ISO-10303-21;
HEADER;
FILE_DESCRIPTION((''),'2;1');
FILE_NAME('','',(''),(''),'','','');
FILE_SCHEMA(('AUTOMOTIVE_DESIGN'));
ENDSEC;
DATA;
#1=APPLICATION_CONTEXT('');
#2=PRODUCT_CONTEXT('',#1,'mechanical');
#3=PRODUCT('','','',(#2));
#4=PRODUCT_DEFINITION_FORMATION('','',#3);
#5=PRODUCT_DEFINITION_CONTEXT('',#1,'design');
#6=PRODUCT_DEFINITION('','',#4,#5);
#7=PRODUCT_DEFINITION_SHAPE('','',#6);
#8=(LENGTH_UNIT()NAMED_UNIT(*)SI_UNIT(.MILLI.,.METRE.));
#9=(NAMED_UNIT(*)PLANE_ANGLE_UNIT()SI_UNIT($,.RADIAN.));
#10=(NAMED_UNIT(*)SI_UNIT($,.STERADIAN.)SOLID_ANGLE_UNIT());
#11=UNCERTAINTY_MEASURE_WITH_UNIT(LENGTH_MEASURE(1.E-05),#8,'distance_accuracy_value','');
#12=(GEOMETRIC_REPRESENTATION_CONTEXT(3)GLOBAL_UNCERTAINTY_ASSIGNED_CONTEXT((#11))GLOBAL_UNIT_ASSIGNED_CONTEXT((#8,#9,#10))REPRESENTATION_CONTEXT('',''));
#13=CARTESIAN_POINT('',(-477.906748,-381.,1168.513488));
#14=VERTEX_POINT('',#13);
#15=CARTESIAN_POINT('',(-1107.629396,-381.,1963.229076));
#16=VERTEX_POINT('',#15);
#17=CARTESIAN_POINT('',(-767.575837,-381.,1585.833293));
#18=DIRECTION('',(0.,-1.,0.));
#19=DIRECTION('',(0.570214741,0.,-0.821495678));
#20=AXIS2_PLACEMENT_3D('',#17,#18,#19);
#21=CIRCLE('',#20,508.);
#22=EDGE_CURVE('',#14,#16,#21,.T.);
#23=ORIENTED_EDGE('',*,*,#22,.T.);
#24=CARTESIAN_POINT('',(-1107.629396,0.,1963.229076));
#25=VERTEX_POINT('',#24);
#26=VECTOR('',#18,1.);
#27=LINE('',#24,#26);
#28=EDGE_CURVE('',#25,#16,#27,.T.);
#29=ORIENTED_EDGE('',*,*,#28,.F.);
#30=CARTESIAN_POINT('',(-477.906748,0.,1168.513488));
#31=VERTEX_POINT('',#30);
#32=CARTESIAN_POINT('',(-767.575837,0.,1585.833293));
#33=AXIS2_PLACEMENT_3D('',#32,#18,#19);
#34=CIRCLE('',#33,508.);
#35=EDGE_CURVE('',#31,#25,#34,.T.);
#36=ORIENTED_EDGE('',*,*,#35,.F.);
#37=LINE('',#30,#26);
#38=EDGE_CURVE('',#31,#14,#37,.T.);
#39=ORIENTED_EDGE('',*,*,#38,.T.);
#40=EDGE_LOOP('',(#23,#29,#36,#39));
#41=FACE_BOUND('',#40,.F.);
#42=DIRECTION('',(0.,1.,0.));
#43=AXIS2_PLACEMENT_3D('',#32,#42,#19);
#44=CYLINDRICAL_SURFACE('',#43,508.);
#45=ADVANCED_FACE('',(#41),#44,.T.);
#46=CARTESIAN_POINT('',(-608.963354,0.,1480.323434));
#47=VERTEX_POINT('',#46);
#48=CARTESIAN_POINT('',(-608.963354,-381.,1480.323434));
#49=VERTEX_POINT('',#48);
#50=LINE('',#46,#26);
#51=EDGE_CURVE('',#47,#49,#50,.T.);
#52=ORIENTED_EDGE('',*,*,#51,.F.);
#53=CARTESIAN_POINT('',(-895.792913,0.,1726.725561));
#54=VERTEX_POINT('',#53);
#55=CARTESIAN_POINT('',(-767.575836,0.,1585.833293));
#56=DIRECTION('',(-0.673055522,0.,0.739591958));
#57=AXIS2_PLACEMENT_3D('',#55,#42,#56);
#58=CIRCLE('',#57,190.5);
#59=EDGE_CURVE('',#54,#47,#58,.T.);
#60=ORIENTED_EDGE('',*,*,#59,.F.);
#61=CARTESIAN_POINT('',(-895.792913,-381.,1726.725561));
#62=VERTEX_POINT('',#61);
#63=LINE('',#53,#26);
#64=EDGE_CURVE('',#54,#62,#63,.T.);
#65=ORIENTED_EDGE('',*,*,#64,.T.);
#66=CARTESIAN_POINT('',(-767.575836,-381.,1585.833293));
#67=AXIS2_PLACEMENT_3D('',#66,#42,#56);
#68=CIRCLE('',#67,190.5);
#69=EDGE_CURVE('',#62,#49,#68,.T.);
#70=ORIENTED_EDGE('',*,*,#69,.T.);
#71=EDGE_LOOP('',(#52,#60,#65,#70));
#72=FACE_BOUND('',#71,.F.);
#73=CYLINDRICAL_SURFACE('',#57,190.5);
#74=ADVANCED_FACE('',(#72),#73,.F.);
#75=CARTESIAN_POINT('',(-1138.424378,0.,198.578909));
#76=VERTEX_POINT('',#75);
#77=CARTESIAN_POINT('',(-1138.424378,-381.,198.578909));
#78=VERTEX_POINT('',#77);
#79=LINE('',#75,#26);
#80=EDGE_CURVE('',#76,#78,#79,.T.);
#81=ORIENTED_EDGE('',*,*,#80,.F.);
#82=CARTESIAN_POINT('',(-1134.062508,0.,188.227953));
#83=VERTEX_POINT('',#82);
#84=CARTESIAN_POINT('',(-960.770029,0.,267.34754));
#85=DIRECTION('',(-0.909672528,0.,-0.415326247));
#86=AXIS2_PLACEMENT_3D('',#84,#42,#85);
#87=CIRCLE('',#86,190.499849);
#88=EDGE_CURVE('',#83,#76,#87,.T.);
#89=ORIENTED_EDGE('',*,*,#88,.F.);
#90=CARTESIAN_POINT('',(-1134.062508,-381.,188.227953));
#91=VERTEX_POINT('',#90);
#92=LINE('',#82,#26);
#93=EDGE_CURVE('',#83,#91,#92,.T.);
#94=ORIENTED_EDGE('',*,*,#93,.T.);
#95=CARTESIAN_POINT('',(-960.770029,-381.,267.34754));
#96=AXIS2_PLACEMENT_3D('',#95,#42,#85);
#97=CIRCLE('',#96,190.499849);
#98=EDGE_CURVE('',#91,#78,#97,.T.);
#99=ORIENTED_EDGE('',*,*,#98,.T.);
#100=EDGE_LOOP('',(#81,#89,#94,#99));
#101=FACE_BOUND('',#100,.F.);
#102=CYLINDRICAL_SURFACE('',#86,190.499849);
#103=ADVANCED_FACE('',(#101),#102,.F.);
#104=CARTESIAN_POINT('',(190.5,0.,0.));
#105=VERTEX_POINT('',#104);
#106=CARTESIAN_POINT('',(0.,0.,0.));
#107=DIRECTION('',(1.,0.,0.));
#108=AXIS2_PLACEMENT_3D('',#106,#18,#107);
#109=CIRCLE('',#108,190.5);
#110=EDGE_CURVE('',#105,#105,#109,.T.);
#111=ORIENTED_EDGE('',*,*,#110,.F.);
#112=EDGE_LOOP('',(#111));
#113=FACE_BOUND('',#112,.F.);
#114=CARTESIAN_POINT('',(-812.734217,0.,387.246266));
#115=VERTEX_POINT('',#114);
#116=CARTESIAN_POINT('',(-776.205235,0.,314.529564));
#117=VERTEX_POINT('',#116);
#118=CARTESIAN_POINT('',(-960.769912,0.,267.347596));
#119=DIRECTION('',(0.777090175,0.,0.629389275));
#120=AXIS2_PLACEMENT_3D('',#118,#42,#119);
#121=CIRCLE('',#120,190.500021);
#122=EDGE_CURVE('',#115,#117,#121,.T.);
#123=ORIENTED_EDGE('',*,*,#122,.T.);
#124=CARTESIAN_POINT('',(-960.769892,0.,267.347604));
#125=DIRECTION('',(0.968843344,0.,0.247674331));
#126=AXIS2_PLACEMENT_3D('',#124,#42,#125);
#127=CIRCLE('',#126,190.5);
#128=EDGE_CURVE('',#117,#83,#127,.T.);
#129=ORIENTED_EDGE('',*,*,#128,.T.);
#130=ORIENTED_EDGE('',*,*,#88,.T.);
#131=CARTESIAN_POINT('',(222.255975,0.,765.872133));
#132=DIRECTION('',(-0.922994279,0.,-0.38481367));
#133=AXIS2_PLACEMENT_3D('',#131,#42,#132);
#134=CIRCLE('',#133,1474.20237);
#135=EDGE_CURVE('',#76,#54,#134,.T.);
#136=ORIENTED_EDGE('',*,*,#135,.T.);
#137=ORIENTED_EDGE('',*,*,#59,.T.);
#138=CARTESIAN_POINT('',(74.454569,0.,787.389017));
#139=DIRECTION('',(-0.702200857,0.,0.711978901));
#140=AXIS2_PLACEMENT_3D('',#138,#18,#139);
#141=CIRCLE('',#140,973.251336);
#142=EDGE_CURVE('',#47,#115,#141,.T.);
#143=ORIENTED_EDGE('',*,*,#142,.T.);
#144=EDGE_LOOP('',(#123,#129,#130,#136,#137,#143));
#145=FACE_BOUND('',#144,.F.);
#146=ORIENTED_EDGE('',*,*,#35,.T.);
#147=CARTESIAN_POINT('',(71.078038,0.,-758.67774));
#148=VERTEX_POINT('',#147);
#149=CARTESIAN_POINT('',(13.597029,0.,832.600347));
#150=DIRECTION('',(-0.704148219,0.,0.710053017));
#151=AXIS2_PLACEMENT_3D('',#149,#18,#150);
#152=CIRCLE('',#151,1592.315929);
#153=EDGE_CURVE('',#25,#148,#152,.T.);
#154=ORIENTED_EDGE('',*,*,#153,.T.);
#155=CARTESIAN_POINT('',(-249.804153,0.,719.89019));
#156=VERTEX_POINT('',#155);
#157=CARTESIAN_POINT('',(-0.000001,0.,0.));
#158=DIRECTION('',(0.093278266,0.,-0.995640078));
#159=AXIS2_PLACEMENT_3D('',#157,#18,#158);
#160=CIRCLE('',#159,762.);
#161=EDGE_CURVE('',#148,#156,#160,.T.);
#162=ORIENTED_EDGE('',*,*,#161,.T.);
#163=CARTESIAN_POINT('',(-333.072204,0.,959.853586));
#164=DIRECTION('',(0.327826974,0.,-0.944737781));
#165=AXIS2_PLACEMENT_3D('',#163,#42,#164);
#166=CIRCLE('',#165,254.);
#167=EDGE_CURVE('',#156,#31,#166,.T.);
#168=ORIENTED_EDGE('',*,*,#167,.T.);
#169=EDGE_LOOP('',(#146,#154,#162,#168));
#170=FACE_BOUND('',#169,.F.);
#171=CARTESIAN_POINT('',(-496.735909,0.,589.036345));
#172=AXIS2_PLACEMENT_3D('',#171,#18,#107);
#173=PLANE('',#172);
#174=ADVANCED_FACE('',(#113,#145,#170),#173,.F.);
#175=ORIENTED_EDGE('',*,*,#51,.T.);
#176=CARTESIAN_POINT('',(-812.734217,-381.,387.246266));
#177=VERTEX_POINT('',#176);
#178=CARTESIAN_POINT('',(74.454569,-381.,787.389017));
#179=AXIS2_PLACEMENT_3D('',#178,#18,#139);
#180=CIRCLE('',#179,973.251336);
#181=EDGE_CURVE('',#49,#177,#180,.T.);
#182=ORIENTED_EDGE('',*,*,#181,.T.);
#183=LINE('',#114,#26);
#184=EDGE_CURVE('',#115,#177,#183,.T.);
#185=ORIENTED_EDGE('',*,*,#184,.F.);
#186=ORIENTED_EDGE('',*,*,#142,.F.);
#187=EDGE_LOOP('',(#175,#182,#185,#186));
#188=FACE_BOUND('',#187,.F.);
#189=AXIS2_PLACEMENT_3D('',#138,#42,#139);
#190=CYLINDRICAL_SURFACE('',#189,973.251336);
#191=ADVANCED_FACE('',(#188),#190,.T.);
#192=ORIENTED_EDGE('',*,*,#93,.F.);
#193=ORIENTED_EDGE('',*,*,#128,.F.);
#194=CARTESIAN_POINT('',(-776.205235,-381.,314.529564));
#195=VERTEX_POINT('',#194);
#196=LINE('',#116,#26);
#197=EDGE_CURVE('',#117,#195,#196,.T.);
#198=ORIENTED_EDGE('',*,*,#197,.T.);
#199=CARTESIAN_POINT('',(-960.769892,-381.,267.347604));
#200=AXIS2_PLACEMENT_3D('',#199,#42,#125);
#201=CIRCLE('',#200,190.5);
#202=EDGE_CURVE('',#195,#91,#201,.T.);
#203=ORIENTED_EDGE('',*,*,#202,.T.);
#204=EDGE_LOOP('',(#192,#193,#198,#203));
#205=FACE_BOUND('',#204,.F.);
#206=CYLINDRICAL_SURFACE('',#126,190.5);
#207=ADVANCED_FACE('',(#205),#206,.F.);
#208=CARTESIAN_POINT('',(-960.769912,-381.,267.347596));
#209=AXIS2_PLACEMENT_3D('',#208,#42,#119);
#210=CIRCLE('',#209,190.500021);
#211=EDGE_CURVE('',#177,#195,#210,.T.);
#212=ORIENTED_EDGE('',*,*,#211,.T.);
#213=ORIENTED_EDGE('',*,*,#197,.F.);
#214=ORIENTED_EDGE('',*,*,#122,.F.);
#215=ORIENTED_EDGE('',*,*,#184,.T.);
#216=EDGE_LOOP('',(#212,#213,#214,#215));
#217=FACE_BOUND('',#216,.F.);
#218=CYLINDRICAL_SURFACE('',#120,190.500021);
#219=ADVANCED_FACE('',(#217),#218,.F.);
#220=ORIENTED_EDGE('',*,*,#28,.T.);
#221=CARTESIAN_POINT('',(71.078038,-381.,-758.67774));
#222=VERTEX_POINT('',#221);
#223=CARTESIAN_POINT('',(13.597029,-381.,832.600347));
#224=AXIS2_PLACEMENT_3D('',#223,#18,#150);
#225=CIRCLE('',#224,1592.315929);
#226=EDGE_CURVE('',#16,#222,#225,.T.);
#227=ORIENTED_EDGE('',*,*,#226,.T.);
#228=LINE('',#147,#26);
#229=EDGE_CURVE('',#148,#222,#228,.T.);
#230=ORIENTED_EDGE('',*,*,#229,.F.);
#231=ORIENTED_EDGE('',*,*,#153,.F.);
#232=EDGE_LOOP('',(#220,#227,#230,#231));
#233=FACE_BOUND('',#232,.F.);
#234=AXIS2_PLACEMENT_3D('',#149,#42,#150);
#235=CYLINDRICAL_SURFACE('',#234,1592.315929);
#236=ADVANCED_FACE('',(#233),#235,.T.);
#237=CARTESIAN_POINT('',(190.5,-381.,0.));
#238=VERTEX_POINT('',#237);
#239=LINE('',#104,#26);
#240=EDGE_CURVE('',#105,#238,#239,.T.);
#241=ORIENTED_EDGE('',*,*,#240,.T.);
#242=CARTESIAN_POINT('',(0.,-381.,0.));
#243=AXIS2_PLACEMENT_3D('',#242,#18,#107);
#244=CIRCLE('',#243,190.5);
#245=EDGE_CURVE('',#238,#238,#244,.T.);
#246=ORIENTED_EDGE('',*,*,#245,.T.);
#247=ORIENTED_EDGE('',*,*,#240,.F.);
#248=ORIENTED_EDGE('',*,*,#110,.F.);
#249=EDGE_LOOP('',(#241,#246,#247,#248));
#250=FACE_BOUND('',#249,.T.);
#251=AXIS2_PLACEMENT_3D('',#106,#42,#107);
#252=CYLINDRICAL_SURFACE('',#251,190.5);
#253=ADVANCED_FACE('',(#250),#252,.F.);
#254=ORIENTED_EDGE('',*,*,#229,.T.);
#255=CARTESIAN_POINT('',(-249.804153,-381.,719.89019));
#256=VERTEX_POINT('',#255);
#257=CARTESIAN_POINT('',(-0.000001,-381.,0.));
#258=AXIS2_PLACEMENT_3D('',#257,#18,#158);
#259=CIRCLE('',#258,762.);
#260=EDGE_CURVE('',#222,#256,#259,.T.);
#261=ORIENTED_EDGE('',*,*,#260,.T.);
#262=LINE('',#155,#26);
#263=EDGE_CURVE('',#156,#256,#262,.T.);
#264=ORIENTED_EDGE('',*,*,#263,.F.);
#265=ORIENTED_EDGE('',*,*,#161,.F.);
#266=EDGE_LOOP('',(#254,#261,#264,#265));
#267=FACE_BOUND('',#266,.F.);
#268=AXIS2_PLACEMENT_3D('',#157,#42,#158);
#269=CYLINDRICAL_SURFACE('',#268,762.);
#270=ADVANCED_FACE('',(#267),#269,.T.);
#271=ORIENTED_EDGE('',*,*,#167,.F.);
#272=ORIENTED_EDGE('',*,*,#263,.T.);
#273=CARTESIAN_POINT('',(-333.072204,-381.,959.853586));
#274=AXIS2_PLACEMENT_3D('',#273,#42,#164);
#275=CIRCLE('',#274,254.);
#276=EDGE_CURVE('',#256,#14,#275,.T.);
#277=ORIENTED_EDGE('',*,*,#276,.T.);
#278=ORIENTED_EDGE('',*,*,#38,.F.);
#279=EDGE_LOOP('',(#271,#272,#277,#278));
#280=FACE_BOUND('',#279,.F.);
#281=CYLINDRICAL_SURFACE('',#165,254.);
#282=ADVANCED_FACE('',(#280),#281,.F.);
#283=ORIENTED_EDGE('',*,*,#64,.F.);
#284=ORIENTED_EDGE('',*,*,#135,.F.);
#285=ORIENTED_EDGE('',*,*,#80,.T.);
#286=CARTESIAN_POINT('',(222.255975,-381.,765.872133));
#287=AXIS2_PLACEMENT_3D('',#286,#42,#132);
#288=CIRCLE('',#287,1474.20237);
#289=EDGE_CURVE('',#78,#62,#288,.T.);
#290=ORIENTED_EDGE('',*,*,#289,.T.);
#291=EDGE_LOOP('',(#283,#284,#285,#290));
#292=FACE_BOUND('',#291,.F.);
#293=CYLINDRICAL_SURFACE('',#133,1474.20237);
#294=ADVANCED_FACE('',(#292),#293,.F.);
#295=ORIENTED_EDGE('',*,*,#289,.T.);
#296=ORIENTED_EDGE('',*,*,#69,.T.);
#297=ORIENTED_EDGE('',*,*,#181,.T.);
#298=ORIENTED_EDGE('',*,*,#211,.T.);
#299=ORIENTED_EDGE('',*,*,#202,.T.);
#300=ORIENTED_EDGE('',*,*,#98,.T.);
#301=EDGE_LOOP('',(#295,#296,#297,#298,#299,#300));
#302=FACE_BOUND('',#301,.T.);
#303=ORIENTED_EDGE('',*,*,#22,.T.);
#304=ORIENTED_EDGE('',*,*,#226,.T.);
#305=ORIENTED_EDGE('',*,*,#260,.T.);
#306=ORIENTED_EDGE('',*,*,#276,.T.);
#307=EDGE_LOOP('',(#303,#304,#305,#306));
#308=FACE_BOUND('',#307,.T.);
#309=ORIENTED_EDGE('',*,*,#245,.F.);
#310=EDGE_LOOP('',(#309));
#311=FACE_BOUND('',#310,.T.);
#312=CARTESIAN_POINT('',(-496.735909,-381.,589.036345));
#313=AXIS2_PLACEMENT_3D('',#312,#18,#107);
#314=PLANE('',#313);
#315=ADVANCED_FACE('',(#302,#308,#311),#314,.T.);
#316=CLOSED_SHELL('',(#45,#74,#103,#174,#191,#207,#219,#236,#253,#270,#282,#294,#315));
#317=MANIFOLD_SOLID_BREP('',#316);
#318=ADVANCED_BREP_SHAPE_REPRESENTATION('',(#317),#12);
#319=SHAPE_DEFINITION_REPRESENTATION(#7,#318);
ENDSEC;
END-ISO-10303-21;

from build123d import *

# Parameters (mm, degrees)
F0_R     = 190.5
F1_DEPTH = 381


with BuildPart() as f1:
    # F0 (on Front) → F1 (new body)
    with BuildSketch(Plane.XZ):
        with BuildLine():
            ThreePointArc((-1107.629396, 1963.229076), (-1447.595209, 199.838732), (71.078038, -758.67774))
            ThreePointArc((71.078038, -758.67774), (744.665385, 161.608984), (-249.804153, 719.89019))
            ThreePointArc((-249.804153, 719.89019), (-559.486259, 844.73332), (-477.906748, 1168.513488))
            ThreePointArc((-477.906748, 1168.513488), (-369.420258, 1901.326772), (-1107.629396, 1963.229076))
        make_face()
        Circle(F0_R, mode=Mode.SUBTRACT)
        with BuildLine():
            ThreePointArc((-895.792913, 1726.725561), (-643.440941, 1730.335119), (-608.963354, 1480.323434))
            ThreePointArc((-608.963354, 1480.323434), (-882.313837, 965.749273), (-812.734217, 387.246266))
            ThreePointArc((-812.734217, 387.246266), (-790.54159, 352.8612), (-776.205235, 314.529564))
            ThreePointArc((-776.205235, 314.529564), (-897.368086, 87.707795), (-1134.062508, 188.227953))
            ThreePointArc((-1134.062508, 188.227953), (-1136.31975, 193.371275), (-1138.424378, 198.578909))
            ThreePointArc((-1138.424378, 198.578909), (-1233.708554, 997.042883), (-895.792913, 1726.725561))
        make_face(mode=Mode.SUBTRACT)
    extrude(amount=F1_DEPTH)


solid = f1.part
